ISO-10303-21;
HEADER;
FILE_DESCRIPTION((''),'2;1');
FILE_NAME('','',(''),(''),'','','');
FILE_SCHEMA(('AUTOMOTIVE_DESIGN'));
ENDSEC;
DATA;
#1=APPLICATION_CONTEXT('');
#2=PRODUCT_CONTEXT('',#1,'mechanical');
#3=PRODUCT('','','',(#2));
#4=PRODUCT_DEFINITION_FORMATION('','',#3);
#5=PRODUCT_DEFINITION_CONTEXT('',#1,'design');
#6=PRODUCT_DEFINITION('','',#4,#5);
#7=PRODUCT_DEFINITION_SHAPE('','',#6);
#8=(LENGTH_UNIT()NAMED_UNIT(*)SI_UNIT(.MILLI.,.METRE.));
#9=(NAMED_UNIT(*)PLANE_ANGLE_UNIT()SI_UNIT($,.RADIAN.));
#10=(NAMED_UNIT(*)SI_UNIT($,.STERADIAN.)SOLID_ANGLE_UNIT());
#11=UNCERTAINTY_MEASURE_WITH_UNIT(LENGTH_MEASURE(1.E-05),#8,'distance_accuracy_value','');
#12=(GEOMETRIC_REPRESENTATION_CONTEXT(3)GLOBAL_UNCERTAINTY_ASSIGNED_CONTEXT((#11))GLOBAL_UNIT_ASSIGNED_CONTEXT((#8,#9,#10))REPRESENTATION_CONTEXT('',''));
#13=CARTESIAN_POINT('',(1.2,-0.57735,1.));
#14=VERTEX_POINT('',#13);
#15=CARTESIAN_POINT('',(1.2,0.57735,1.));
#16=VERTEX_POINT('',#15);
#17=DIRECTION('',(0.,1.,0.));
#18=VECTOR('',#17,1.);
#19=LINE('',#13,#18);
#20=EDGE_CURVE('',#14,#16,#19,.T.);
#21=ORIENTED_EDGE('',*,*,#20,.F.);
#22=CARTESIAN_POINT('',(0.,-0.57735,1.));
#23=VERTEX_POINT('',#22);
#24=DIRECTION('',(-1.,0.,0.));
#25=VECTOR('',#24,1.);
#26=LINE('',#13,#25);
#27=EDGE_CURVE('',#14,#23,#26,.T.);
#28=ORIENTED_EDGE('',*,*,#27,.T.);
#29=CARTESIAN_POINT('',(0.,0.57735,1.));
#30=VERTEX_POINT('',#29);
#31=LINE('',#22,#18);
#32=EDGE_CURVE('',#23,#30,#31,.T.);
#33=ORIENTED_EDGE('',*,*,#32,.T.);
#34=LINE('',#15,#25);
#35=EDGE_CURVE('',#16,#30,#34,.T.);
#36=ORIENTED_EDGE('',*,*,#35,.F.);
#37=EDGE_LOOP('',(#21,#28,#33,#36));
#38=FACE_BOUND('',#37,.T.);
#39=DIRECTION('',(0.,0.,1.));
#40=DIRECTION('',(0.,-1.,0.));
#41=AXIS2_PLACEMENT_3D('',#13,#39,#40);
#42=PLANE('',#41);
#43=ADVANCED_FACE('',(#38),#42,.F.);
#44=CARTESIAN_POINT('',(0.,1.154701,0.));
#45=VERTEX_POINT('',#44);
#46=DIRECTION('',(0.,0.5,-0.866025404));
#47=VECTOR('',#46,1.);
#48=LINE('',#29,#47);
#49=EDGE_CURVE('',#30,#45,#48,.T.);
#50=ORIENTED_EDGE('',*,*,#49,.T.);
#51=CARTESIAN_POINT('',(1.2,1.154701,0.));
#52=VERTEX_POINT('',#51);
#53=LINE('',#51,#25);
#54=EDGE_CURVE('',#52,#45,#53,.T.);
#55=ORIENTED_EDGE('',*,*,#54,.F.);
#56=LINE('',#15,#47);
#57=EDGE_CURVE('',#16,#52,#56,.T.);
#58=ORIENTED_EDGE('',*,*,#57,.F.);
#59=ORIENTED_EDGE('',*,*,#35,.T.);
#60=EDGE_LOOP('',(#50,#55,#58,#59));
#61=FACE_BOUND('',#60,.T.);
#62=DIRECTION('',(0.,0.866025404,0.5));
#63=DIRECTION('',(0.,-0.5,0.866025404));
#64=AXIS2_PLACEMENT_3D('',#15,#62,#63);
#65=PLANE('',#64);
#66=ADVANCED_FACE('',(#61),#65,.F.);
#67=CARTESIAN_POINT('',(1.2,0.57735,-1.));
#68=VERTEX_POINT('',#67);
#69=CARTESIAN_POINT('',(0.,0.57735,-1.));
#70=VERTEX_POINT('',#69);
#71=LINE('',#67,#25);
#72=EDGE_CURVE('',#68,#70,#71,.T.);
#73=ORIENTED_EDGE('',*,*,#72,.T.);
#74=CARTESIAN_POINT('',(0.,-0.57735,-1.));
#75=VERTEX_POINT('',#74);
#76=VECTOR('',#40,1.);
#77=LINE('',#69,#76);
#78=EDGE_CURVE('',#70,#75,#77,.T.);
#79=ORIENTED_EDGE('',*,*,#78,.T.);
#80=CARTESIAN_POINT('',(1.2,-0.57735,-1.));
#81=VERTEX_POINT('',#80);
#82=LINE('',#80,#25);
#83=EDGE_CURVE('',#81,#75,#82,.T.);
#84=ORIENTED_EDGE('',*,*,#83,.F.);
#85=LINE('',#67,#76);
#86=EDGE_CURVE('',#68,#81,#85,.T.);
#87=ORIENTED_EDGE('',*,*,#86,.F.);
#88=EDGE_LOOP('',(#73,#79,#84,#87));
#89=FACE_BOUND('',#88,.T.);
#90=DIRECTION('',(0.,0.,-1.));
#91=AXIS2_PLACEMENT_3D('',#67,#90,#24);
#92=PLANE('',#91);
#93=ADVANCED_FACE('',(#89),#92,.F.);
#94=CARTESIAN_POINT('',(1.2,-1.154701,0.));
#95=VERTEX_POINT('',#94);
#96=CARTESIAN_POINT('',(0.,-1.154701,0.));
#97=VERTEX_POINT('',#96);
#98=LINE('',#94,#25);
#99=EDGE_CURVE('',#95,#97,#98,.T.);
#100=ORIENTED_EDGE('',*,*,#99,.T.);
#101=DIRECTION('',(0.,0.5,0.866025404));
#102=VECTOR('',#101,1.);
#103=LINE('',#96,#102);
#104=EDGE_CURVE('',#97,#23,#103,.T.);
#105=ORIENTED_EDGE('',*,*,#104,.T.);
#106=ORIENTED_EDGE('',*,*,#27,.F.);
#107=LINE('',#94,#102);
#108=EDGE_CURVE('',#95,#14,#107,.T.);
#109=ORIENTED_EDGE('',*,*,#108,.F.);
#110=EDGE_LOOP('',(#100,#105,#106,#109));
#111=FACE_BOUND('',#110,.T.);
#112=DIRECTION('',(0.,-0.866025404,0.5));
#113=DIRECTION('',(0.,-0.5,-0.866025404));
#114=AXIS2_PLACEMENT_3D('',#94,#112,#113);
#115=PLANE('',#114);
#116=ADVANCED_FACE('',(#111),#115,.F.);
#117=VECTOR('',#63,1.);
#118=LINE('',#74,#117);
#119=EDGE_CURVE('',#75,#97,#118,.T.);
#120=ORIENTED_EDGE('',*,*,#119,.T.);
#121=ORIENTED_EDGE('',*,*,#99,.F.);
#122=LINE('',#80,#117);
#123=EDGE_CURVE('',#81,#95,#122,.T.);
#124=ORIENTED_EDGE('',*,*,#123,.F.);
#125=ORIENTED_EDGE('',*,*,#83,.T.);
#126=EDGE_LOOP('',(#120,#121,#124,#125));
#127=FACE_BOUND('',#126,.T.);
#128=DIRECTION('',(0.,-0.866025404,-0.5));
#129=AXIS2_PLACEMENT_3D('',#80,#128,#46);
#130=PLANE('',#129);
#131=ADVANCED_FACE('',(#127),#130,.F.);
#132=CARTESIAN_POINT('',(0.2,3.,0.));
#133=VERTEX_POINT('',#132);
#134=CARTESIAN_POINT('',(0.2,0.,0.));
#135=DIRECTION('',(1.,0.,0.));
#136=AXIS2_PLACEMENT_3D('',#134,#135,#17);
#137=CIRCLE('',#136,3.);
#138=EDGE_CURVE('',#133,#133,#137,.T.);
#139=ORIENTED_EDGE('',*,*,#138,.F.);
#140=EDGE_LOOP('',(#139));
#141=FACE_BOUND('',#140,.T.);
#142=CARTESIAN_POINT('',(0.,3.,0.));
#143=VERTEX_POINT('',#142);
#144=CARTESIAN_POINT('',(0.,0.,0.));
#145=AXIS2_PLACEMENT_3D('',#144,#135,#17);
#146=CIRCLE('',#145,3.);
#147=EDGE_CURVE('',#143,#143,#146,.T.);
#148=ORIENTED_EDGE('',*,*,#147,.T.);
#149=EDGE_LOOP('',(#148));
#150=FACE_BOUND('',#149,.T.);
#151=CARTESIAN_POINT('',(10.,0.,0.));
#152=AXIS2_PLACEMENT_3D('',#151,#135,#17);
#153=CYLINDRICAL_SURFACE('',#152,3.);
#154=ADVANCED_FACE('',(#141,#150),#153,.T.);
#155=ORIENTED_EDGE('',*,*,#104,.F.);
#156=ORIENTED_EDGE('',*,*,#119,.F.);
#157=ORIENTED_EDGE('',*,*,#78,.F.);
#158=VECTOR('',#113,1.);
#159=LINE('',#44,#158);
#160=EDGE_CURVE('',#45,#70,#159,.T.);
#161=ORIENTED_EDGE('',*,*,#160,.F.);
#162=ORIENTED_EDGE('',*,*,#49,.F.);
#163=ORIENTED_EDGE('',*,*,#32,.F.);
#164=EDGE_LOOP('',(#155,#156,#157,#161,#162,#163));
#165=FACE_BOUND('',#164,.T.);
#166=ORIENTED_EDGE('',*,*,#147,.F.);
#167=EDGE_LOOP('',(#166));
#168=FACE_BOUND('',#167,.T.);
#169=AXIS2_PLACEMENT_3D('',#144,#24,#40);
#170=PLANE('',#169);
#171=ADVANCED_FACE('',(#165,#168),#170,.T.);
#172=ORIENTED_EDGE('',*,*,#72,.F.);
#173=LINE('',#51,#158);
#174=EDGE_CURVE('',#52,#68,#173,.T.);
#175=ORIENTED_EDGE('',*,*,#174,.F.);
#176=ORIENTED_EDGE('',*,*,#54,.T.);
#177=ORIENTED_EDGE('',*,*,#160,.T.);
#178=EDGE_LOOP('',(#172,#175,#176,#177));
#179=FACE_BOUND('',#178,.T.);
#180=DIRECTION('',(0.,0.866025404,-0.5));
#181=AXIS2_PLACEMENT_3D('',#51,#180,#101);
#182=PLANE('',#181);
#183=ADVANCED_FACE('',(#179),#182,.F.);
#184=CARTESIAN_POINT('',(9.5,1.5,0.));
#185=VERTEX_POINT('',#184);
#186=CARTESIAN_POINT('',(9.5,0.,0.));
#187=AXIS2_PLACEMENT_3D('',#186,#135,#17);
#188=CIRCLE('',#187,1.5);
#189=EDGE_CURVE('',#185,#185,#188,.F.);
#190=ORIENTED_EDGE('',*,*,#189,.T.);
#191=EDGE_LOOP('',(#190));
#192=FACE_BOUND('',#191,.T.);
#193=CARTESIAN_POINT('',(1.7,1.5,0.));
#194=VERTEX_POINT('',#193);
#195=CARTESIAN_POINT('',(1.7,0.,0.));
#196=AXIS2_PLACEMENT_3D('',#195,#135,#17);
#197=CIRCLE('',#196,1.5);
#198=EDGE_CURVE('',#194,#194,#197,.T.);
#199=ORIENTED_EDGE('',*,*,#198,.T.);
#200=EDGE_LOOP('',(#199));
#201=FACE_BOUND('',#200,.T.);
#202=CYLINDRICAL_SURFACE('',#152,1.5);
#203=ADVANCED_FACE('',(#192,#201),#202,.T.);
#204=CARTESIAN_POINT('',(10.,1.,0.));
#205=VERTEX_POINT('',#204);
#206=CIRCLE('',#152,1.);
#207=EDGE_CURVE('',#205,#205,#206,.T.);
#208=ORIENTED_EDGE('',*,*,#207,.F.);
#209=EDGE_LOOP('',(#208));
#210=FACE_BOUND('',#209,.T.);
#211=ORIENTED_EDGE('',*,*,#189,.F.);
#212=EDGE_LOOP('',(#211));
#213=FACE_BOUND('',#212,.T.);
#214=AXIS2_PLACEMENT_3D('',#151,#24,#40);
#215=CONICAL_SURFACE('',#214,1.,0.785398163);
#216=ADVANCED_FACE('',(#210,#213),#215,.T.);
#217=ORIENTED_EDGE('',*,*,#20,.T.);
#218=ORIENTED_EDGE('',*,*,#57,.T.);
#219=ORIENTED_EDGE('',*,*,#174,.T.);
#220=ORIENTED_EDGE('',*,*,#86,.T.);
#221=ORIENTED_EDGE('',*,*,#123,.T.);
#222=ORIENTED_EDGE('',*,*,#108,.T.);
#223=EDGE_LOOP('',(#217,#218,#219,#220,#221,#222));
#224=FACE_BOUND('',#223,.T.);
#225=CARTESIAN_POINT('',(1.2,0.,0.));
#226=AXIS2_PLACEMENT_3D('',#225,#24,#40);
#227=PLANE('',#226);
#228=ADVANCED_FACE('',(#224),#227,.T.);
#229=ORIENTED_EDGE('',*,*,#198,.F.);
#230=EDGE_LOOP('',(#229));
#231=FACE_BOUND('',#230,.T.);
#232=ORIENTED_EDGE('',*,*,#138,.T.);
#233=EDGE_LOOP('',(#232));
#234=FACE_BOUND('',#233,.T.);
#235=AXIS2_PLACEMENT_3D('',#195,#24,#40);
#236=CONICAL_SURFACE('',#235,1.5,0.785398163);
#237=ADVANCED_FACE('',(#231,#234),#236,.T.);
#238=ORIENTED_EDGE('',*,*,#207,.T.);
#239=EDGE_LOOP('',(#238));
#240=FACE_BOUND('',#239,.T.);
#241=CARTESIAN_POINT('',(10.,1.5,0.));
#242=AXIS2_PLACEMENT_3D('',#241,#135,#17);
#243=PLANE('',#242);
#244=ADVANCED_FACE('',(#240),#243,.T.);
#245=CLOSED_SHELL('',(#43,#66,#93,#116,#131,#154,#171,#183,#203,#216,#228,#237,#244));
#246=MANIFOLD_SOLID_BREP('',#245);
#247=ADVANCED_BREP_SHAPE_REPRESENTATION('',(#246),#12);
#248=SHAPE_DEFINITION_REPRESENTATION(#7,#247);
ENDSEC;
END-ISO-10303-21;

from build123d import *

# Parameters (mm, degrees)
CHANFREIN1_SIZE         = 0.5
ENL_V_MAT_EXTRU_1_DEPTH = 1.2


with BuildPart() as part:
    # Esquisse1 → Révolution1 (revolve)
    with BuildSketch(Plane.XY):
        Polygon((0, 0), (0, 3), (0.2, 3), (1.7, 1.5), (10, 1.5), (10, 0), align=None)
    revolve(axis=Axis((10, 0, 0), (-1, 0, 0)))

    # Chanfrein1
    chanfrein1_edges = [part.edges().sort_by_distance(p)[0] for p in [
        (10, -1.5, 0),
    ]]
    chamfer(chanfrein1_edges, length=CHANFREIN1_SIZE)

    # Esquisse2 → Enlèv. mat.-Extru.1 (cut)
    with BuildSketch(Plane.ZY):
        Polygon((0, 1.154700538), (-1, 0.577350269), (-1, -0.577350269), (0, -1.154700538), (1, -0.577350269), (1, 0.577350269), align=None)
    extrude(amount=-ENL_V_MAT_EXTRU_1_DEPTH, mode=Mode.SUBTRACT)


solid = part.part
